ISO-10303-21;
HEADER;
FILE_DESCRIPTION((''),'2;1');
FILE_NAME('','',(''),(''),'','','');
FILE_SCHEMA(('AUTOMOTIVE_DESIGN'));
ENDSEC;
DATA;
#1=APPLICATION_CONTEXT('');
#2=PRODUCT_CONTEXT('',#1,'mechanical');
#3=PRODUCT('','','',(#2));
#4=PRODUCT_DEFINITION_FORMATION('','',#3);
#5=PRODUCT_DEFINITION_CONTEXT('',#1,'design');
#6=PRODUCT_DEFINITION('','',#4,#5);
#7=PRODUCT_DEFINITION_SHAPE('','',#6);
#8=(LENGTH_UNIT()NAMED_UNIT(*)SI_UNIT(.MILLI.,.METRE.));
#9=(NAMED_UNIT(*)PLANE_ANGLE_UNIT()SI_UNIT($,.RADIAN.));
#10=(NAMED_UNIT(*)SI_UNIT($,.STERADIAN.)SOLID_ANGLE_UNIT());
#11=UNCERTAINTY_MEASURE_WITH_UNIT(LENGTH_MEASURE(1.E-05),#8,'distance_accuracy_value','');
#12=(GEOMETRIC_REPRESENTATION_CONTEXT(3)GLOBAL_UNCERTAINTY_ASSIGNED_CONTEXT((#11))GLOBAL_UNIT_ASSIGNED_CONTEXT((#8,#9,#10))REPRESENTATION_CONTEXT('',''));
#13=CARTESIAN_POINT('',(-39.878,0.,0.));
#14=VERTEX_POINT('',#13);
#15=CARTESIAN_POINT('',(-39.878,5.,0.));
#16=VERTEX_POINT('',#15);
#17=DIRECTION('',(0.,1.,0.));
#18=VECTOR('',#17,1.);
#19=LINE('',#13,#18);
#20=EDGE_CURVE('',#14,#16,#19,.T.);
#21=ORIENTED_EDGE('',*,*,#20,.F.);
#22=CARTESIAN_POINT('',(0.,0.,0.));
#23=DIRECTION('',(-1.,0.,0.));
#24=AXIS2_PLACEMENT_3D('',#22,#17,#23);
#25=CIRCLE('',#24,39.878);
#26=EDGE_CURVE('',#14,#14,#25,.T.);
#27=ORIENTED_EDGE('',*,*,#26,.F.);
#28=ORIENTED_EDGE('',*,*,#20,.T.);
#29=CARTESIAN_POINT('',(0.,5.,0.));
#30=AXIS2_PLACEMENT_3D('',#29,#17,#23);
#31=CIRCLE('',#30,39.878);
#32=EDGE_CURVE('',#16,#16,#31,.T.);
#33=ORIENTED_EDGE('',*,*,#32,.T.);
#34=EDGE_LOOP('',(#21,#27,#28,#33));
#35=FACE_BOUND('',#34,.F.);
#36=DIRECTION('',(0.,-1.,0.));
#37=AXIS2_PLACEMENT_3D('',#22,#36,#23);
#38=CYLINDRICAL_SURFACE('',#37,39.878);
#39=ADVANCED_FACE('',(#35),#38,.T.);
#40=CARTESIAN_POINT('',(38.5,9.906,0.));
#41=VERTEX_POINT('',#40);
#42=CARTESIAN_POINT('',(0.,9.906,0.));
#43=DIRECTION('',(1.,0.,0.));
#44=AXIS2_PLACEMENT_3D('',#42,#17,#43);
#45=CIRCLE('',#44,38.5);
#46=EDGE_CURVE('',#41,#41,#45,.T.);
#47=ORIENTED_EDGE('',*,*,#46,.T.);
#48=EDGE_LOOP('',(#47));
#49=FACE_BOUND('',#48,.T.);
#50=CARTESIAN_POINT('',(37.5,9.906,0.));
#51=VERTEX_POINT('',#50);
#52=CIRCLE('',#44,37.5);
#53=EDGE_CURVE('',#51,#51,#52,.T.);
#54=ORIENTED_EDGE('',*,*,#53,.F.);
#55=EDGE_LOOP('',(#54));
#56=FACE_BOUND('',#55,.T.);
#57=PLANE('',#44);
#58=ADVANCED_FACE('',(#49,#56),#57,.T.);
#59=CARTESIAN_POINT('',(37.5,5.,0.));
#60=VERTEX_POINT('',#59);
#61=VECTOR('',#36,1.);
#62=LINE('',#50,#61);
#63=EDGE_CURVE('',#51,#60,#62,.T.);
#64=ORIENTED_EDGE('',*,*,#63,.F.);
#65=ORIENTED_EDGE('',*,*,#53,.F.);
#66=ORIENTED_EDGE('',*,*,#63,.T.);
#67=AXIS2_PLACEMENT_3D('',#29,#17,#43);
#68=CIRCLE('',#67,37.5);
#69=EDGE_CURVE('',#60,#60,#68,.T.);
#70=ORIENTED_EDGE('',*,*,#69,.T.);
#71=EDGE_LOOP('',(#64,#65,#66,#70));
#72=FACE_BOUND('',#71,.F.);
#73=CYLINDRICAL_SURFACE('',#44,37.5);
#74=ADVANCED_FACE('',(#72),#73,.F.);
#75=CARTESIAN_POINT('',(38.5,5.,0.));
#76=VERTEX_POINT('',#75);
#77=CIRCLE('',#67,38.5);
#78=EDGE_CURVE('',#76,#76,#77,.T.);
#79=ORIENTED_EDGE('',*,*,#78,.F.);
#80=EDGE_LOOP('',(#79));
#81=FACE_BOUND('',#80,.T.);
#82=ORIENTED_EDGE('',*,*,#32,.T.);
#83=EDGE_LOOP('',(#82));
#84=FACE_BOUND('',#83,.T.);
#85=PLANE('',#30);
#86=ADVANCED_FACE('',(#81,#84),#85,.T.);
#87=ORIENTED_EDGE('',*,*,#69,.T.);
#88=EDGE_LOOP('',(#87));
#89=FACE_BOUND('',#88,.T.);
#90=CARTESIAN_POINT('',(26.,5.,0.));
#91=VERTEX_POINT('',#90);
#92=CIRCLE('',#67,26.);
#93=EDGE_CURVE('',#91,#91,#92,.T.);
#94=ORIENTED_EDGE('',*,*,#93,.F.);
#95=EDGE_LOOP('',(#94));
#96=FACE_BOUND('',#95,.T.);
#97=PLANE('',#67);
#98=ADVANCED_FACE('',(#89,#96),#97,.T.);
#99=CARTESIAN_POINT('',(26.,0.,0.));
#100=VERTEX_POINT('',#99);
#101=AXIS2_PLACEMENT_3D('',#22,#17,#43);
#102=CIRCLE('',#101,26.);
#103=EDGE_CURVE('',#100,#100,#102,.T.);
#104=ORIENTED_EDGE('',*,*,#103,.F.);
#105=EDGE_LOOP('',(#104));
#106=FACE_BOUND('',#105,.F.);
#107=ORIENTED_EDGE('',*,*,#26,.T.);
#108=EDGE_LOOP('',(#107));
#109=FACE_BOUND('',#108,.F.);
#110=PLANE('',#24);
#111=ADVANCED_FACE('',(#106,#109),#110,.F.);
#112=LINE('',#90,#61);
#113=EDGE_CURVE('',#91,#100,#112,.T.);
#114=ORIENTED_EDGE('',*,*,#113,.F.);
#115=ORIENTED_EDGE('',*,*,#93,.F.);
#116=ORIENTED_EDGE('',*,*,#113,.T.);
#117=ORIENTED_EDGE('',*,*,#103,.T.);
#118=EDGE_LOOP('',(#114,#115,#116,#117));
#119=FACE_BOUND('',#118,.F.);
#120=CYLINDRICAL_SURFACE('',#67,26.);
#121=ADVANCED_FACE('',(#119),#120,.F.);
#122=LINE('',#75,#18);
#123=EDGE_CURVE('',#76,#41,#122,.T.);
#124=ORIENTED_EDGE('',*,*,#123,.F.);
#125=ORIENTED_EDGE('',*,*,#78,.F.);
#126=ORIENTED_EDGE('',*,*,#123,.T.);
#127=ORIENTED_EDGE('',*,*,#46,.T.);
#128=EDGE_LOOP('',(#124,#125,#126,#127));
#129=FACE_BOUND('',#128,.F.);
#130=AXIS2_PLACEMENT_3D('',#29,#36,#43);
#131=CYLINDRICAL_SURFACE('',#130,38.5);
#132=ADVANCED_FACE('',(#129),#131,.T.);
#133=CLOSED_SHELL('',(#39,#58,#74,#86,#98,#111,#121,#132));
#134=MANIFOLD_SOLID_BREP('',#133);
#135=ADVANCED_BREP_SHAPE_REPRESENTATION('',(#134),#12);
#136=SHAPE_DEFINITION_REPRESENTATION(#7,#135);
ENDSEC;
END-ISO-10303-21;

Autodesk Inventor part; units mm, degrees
ref_plane "YZ Plane" through (0, 0, 0) normal (1, 0, 0) x (0, 1, 0)
ref_plane "XZ Plane" through (0, 0, 0) normal (0, 1, 0) x (-1, 0, 0)
ref_plane "XY Plane" through (0, 0, 0) normal (0, 0, 1) x (1, 0, 0)
sketch "Sketch1" plane through (0, 0, 0) normal (0, 1, 0) x (-1, 0, 0)
  circle A0 centre (0, 0) radius 39.878
  dimension "d0" = 79.756
extrude "Extrusion1" add sketch "Sketch1" along normal blind 5
sketch "Sketch2" plane through (0, 5, 0) normal (0, 1, 0) x (1, 0, 0)
  circle A0 centre (0, 0) radius 26
  dimension "d3" = 52
extrude "Extrusion2" cut sketch "Sketch2" against normal blind 5
thread "Thread1" size "2 1/16-16 UNS" class "2B" standard "ANSI Unified Screw Threads" length 6.35
sketch "Sketch3" plane through (0, 5, 0) normal (0, 1, 0) x (1, 0, 0)
  circle A0 centre (0, 0) radius 38.5
  dimension "d8" = 77
extrude "Extrusion3" add sketch "Sketch3" along normal blind 4.906
sketch "Sketch4" plane through (0, 9.906, 0) normal (0, 1, 0) x (1, 0, 0)
  circle A0 centre (0, 0) radius 37.5
  dimension "d11" = 75
extrude "Extrusion4" cut sketch "Sketch4" against normal blind 4.906
thread "Thread3" size "3 1/8-16 UN" class "2A" standard "ANSI Unified Screw Threads" full length
properties part number "77mm to 52mm" material "Aluminum 6061-AHC"
